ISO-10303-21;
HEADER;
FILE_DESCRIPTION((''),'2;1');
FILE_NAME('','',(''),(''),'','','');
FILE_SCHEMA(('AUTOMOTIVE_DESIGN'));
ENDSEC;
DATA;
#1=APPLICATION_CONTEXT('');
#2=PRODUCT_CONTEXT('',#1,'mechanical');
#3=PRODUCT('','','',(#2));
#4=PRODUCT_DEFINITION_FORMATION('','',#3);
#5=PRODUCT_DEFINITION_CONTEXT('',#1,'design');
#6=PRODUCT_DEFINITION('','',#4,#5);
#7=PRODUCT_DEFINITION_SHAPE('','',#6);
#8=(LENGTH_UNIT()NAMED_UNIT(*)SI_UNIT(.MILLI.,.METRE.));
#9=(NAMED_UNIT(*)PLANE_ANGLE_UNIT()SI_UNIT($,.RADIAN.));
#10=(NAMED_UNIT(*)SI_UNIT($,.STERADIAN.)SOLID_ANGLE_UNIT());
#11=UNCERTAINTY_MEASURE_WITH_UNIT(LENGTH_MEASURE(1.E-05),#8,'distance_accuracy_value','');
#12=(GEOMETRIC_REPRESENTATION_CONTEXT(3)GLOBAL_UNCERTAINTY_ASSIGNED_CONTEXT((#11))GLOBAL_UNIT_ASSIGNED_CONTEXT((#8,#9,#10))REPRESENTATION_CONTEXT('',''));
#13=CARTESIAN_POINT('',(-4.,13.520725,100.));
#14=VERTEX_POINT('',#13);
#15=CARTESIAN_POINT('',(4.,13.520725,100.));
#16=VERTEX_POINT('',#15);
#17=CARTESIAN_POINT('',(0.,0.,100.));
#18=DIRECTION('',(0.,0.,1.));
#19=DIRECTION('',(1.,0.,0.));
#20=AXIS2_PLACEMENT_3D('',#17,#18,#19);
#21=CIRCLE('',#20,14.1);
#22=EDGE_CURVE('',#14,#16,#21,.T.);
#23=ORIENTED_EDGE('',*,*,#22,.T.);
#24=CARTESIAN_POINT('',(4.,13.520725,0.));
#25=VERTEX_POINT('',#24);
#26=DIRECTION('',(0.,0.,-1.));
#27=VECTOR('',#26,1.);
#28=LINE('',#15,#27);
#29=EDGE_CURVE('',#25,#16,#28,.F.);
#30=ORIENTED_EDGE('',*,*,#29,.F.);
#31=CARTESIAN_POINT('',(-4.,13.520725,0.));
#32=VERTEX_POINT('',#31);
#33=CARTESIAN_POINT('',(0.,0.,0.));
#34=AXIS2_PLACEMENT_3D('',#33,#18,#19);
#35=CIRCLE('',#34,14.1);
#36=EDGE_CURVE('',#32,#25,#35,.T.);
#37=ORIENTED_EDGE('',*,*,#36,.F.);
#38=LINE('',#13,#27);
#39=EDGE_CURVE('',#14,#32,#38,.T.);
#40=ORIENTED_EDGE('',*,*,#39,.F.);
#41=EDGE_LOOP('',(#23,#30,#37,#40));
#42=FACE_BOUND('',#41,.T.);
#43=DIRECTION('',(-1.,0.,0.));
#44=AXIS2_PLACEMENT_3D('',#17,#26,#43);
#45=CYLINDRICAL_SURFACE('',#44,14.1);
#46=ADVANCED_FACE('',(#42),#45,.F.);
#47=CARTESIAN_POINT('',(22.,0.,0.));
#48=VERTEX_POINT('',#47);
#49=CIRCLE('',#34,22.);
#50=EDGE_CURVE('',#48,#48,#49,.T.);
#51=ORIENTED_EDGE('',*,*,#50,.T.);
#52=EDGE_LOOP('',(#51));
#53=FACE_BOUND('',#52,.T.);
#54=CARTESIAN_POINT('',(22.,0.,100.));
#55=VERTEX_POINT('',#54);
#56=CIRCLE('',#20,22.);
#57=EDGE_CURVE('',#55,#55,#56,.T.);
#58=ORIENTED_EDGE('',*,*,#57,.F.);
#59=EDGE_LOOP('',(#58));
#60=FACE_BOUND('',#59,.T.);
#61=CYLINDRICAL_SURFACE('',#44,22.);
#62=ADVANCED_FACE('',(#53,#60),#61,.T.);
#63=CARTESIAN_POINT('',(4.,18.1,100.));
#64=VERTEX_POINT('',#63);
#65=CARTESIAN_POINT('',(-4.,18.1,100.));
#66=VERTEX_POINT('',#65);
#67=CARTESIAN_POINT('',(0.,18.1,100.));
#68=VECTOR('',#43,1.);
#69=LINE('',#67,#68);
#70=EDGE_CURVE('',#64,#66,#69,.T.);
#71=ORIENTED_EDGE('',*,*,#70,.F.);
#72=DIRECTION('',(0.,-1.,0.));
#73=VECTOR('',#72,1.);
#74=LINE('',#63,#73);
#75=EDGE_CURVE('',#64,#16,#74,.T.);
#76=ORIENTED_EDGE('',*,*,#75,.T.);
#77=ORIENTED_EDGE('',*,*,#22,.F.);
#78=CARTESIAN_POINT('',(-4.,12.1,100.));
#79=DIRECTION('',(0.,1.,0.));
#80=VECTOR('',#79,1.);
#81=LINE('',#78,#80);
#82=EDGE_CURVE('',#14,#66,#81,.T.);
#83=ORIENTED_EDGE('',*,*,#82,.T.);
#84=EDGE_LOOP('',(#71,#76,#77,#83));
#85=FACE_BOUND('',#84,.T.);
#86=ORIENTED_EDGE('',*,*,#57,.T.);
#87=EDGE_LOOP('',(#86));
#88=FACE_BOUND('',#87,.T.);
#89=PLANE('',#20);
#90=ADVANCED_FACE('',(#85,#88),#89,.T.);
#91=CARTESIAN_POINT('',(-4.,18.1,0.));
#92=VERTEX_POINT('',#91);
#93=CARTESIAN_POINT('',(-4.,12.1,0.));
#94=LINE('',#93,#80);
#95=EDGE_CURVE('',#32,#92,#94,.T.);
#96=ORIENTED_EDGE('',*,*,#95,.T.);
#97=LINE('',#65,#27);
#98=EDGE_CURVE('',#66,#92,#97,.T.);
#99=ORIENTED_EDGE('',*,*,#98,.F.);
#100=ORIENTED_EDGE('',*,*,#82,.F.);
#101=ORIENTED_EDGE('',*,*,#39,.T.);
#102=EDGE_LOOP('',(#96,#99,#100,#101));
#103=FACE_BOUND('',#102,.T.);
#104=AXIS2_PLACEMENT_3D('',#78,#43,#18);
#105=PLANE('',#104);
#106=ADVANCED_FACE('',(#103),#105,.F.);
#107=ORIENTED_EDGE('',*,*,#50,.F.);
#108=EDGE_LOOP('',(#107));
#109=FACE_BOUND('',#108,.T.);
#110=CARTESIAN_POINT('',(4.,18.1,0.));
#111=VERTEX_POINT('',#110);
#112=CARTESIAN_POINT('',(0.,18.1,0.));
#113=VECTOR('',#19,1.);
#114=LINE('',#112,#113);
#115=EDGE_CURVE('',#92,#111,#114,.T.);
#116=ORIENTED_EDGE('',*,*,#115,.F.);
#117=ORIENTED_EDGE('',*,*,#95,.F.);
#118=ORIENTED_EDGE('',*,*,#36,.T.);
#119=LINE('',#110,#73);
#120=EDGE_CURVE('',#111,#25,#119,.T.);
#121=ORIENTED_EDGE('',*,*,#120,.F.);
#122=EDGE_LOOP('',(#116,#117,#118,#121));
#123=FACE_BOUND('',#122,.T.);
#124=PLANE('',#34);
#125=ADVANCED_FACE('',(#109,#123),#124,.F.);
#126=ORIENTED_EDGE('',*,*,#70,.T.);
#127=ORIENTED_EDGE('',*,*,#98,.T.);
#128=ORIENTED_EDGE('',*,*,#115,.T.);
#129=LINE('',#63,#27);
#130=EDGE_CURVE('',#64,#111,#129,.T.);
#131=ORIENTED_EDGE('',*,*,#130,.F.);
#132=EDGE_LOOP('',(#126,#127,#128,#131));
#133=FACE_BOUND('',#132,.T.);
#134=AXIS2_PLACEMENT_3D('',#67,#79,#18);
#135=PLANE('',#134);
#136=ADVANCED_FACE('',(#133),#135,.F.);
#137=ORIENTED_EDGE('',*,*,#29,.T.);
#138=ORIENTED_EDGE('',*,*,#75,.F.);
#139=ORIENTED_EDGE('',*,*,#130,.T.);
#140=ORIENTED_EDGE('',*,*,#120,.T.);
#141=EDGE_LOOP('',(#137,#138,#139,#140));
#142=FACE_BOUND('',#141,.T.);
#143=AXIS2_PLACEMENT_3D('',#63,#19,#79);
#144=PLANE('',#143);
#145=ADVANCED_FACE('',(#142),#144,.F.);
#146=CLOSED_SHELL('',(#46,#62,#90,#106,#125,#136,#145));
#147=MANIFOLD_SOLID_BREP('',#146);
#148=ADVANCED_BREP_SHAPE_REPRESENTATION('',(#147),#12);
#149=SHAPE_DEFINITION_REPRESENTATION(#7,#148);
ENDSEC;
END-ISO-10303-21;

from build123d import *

# Parameters (mm, degrees)
SKETCH1_R           = 22
SKETCH1_R_2         = 14.1
BOSS_EXTRUDE1_DEPTH = 100
CUT_EXTRUDE1_DEPTH  = 105.728219693


with BuildPart() as part:
    # Sketch1 → Boss-Extrude1 (new body)
    with BuildSketch(Plane.XY):
        Circle(SKETCH1_R)
        Circle(SKETCH1_R_2, mode=Mode.SUBTRACT)
    extrude(amount=BOSS_EXTRUDE1_DEPTH)

    # Sketch2 → Cut-Extrude1 (cut, through all)
    with BuildSketch(Plane(origin=(0, 0, 0), x_dir=(-1, 0, 0), z_dir=(0, 0, -1))):
        Polygon((0, 18.1), (4, 18.1), (4, 12.1), (-4, 12.1), (-4, 18.1), align=None)
    extrude(amount=-CUT_EXTRUDE1_DEPTH, mode=Mode.SUBTRACT)


solid = part.part
